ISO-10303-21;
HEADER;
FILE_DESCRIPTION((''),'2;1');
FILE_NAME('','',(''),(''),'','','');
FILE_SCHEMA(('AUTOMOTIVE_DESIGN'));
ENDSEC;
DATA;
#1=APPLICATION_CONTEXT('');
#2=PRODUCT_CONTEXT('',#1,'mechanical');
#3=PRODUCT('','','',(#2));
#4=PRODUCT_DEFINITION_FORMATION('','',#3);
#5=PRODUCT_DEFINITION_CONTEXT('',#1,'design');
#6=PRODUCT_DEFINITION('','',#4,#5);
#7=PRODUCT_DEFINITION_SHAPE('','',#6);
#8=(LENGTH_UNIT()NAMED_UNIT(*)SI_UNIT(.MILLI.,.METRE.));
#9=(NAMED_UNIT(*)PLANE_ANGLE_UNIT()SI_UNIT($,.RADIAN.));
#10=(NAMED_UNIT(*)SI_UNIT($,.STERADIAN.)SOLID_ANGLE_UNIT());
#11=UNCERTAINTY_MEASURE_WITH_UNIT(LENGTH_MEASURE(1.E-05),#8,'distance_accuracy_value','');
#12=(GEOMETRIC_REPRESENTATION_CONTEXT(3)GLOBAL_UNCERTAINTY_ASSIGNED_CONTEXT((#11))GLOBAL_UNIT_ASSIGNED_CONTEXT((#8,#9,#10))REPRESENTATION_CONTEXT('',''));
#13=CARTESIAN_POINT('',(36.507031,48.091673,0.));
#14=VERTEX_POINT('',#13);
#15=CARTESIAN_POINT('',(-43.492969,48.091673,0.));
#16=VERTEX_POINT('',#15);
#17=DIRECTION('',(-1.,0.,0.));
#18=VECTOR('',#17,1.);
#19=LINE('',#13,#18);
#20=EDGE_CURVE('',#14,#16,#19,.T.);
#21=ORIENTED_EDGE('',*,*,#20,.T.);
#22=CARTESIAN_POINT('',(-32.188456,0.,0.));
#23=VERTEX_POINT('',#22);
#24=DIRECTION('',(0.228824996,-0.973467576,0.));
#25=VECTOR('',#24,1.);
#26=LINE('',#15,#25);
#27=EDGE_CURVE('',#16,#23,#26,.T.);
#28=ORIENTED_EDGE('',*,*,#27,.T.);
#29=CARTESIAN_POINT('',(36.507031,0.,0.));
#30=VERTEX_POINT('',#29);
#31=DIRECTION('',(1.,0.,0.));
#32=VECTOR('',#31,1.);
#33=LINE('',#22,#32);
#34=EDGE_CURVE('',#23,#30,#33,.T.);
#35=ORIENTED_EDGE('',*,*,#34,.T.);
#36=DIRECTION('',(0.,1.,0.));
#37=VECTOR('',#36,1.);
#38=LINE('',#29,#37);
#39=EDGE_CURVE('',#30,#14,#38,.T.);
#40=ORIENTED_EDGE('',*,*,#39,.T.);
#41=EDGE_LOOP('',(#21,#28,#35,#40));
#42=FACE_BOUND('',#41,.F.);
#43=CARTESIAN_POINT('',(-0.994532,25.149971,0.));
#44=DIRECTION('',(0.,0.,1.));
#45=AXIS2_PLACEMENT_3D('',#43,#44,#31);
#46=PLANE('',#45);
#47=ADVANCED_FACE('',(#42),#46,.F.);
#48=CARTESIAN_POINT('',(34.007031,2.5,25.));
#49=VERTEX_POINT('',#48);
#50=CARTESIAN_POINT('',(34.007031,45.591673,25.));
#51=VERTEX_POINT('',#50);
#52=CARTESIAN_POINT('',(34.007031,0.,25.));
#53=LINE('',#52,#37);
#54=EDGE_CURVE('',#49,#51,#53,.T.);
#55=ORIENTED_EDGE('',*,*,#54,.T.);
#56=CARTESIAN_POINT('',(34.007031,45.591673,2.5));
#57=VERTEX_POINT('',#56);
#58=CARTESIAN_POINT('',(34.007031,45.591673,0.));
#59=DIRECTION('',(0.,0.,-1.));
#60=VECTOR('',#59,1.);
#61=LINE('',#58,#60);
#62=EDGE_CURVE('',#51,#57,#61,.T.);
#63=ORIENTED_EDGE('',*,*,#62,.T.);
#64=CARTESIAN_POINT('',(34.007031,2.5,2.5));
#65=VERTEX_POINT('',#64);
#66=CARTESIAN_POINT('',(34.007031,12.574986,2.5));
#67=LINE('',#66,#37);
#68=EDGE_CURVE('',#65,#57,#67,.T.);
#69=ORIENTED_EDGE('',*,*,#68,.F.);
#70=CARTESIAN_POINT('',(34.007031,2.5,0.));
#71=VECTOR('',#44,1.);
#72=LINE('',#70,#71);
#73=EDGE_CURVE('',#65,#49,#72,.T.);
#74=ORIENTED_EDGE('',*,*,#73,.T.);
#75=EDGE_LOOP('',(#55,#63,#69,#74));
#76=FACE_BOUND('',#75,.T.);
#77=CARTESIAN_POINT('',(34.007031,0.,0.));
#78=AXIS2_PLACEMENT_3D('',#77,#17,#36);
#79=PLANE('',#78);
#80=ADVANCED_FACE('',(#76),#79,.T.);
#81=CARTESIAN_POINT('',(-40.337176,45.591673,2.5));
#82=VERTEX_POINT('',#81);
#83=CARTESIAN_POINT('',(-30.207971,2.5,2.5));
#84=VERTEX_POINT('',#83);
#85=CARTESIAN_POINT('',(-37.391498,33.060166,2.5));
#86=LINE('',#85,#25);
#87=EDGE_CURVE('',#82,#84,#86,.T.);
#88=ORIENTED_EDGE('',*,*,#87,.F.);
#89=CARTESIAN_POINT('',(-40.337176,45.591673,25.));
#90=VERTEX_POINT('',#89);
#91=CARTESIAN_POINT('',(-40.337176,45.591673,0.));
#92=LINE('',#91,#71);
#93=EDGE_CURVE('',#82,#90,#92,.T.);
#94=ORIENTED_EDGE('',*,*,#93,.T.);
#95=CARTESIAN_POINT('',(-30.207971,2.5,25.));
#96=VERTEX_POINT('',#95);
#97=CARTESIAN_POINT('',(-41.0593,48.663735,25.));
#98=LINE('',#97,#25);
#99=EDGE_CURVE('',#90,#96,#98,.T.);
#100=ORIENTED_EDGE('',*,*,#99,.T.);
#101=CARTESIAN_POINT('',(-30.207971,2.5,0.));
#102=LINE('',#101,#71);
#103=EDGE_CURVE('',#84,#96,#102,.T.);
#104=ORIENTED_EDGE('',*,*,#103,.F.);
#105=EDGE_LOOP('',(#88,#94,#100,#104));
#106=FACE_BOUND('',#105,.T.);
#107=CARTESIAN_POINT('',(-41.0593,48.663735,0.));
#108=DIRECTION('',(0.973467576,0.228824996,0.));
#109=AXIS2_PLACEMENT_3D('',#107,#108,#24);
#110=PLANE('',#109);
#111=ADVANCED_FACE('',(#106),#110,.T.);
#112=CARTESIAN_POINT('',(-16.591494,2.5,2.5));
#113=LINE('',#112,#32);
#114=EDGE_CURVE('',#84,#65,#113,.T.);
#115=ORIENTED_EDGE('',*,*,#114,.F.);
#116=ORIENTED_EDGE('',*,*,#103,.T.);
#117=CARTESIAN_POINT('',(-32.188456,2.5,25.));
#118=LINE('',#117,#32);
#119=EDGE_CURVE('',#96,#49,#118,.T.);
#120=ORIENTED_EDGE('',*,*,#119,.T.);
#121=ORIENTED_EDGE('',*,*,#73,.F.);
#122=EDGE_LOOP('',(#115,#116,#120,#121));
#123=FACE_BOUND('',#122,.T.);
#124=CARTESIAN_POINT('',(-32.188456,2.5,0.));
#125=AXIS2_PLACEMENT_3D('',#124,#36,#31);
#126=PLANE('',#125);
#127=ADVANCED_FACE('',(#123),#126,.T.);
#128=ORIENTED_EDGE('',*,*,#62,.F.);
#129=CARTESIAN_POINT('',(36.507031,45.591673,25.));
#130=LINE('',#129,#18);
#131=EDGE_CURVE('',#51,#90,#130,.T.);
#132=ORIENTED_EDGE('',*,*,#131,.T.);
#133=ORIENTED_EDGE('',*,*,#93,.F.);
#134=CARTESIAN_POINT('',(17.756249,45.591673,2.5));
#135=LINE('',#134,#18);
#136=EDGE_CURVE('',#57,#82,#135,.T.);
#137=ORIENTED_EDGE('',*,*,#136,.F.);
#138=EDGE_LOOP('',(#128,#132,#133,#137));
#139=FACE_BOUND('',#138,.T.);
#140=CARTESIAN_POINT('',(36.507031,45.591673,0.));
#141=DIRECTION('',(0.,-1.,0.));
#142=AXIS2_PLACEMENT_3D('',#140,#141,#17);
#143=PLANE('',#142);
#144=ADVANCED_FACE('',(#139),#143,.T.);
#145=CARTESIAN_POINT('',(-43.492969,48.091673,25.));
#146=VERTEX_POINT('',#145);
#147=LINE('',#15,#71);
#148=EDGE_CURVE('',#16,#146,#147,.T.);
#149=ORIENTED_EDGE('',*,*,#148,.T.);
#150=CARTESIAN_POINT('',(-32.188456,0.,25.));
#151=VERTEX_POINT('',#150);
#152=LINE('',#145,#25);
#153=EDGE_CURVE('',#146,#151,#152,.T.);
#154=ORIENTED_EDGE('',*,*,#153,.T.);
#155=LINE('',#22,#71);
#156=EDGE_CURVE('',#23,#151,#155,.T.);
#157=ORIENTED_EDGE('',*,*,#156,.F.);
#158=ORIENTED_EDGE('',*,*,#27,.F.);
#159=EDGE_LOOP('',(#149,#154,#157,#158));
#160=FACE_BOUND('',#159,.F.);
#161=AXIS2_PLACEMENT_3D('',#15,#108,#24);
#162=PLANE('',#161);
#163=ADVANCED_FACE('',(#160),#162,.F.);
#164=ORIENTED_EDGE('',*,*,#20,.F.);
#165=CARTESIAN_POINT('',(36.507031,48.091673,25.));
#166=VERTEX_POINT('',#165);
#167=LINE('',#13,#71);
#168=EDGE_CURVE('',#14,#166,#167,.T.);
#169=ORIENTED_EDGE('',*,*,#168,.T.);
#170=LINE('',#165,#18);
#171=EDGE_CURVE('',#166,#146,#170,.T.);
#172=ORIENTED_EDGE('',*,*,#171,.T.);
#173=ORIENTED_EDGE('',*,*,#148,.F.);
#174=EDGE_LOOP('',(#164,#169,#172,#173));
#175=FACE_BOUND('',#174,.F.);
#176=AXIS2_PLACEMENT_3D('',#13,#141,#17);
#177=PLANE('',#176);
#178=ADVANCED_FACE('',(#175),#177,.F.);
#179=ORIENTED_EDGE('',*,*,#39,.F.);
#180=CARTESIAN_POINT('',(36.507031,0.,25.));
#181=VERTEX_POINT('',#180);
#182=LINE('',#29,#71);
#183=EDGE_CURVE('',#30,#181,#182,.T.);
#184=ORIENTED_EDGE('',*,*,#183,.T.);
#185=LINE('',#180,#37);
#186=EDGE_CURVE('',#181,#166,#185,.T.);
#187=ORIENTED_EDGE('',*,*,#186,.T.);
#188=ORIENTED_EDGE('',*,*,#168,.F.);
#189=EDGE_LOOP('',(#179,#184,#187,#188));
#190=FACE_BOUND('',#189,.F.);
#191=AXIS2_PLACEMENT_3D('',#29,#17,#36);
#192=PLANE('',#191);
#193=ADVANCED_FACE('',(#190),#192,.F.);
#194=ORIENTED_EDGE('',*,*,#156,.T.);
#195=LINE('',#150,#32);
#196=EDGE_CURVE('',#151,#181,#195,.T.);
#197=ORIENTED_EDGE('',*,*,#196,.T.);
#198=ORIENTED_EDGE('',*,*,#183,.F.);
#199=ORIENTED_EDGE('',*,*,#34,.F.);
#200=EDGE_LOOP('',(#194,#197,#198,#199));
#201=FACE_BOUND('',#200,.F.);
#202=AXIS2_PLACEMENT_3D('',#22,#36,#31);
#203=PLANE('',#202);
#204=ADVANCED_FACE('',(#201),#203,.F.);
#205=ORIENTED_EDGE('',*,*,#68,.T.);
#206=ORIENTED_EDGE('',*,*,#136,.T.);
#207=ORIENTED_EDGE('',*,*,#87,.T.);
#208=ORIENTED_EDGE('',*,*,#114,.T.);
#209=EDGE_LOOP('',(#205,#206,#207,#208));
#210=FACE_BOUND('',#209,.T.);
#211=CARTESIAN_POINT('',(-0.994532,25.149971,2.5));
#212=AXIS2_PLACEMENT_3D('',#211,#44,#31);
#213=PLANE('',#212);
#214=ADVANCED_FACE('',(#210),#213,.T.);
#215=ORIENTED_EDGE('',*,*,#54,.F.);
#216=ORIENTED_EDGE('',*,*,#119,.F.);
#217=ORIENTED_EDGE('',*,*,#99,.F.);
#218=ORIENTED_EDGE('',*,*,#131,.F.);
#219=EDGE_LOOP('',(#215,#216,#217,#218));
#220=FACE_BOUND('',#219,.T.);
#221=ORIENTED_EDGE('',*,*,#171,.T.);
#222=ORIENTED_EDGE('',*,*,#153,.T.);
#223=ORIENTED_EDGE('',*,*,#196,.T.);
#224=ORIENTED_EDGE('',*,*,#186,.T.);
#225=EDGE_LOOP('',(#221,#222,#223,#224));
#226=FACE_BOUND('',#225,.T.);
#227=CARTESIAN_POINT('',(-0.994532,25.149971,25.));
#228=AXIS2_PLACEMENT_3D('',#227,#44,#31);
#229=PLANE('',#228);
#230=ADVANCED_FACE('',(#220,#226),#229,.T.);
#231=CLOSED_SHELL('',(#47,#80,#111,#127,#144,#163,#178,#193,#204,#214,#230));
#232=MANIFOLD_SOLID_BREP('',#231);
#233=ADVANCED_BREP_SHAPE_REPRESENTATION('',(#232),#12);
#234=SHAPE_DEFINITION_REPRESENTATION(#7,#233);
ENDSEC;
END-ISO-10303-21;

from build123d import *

# Parameters (mm, degrees)
F1_DEPTH = 25
F2_T     = -2.5


with BuildPart() as f1:
    # F0 (on Top) → F1 (new body)
    with BuildSketch(Plane.XY):
        Polygon((36.507031, 48.091673), (-43.492969, 48.091673), (-32.188456, 0), (36.507031, 0), align=None)
    extrude(amount=F1_DEPTH)

    # F2
    f2_openings = [f1.faces().sort_by_distance(p)[0] for p in [
        (-0.738459, 24.655195, 25),
    ]]
    offset(amount=F2_T, openings=f2_openings)


solid = f1.part
